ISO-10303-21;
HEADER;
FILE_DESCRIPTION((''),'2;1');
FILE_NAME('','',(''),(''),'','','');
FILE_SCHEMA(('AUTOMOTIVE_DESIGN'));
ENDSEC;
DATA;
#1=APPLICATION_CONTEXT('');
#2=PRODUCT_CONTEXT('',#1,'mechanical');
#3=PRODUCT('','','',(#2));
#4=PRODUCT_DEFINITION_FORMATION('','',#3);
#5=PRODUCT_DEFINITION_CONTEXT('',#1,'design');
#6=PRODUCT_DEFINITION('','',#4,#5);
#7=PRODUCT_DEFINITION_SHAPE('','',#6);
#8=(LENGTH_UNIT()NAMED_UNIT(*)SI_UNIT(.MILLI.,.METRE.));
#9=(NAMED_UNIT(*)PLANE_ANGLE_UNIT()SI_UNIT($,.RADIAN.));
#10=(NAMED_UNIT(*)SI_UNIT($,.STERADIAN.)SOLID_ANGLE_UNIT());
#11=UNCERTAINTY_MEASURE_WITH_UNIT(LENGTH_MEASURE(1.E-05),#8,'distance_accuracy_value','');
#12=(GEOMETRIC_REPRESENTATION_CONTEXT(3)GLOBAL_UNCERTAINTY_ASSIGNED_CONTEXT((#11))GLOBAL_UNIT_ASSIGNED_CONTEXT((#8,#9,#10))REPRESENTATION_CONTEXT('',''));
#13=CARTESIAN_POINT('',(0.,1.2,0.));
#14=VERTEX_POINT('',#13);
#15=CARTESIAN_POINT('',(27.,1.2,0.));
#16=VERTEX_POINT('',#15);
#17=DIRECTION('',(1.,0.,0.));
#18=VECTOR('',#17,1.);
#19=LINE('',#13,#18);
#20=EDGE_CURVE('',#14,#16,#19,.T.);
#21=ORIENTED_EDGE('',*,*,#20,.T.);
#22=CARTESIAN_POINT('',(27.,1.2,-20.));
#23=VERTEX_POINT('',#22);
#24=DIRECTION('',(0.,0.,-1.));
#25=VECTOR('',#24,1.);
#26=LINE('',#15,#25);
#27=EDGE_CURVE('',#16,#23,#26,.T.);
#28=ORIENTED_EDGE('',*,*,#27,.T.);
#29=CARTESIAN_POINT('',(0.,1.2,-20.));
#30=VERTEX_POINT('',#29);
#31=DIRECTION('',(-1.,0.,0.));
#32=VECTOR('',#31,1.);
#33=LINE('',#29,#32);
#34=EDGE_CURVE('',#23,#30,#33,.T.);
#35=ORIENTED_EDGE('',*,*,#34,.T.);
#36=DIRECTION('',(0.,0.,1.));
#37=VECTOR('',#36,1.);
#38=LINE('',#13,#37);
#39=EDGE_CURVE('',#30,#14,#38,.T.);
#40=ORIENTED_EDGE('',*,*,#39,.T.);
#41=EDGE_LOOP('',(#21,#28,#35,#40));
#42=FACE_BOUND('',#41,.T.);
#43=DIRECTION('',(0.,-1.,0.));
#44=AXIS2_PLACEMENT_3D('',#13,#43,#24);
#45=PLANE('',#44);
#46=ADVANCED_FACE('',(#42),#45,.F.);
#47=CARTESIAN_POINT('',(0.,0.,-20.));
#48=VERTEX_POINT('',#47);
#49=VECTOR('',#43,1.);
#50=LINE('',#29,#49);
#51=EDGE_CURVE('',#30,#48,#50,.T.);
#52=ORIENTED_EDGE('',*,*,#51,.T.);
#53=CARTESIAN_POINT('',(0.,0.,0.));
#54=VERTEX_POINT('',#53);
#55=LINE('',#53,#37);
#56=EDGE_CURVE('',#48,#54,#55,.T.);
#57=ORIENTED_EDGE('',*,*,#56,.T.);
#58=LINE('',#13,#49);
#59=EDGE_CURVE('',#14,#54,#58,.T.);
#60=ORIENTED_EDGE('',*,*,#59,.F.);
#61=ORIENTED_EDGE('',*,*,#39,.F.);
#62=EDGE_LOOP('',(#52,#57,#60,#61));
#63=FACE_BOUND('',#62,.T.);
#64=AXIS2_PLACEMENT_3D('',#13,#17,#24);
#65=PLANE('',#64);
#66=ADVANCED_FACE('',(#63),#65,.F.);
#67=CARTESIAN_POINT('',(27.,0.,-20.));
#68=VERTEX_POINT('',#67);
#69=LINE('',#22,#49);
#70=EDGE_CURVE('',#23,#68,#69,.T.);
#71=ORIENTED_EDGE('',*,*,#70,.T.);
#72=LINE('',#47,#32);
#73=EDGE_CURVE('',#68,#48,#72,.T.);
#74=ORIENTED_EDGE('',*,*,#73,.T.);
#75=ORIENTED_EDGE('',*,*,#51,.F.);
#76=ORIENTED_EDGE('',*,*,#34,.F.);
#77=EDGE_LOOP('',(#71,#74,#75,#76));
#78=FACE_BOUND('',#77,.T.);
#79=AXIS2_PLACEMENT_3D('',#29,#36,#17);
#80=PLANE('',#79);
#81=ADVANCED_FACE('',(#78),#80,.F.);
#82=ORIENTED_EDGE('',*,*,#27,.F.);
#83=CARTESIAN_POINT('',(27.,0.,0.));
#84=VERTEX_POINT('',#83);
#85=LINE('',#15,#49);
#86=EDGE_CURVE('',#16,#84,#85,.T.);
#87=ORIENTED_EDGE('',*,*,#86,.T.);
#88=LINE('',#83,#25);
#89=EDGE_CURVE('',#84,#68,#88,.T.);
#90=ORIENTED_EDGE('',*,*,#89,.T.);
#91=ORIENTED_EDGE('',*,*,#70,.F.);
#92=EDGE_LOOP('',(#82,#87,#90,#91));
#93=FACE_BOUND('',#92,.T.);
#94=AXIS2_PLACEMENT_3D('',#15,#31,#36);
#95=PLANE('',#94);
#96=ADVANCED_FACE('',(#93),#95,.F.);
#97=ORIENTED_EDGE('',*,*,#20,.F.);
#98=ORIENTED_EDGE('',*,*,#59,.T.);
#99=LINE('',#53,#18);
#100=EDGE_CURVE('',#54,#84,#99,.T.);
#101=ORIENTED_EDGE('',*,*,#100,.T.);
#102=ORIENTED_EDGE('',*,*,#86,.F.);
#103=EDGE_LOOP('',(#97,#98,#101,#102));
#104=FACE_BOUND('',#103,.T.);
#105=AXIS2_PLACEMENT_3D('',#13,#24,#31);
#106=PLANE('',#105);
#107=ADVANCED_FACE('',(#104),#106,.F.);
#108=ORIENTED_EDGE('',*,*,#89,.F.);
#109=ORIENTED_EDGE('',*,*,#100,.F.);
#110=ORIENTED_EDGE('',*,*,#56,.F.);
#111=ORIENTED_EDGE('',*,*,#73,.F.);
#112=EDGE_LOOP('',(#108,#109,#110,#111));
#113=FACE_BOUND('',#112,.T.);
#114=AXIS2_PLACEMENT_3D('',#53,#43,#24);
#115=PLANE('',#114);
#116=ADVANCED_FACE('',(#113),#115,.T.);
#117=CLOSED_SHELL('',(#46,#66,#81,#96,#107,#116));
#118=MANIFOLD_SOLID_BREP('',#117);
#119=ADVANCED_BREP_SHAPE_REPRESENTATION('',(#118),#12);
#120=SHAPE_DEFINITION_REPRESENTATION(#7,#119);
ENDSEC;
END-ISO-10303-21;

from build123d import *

# Parameters (mm, degrees)
SKETCH_1_W      = 27
SKETCH_1_H      = 20
EXTRUDE_1_DEPTH = 1.2


with BuildPart() as part:
    # 草图1 → 凸台-拉伸1 (new body)
    with BuildSketch(Plane(origin=(0, 0, 0), x_dir=(1, 0, 0), z_dir=(0, 1, 0))):
        with Locations((13.5, 10)):
            Rectangle(SKETCH_1_W, SKETCH_1_H)
    extrude(amount=EXTRUDE_1_DEPTH)


solid = part.part
